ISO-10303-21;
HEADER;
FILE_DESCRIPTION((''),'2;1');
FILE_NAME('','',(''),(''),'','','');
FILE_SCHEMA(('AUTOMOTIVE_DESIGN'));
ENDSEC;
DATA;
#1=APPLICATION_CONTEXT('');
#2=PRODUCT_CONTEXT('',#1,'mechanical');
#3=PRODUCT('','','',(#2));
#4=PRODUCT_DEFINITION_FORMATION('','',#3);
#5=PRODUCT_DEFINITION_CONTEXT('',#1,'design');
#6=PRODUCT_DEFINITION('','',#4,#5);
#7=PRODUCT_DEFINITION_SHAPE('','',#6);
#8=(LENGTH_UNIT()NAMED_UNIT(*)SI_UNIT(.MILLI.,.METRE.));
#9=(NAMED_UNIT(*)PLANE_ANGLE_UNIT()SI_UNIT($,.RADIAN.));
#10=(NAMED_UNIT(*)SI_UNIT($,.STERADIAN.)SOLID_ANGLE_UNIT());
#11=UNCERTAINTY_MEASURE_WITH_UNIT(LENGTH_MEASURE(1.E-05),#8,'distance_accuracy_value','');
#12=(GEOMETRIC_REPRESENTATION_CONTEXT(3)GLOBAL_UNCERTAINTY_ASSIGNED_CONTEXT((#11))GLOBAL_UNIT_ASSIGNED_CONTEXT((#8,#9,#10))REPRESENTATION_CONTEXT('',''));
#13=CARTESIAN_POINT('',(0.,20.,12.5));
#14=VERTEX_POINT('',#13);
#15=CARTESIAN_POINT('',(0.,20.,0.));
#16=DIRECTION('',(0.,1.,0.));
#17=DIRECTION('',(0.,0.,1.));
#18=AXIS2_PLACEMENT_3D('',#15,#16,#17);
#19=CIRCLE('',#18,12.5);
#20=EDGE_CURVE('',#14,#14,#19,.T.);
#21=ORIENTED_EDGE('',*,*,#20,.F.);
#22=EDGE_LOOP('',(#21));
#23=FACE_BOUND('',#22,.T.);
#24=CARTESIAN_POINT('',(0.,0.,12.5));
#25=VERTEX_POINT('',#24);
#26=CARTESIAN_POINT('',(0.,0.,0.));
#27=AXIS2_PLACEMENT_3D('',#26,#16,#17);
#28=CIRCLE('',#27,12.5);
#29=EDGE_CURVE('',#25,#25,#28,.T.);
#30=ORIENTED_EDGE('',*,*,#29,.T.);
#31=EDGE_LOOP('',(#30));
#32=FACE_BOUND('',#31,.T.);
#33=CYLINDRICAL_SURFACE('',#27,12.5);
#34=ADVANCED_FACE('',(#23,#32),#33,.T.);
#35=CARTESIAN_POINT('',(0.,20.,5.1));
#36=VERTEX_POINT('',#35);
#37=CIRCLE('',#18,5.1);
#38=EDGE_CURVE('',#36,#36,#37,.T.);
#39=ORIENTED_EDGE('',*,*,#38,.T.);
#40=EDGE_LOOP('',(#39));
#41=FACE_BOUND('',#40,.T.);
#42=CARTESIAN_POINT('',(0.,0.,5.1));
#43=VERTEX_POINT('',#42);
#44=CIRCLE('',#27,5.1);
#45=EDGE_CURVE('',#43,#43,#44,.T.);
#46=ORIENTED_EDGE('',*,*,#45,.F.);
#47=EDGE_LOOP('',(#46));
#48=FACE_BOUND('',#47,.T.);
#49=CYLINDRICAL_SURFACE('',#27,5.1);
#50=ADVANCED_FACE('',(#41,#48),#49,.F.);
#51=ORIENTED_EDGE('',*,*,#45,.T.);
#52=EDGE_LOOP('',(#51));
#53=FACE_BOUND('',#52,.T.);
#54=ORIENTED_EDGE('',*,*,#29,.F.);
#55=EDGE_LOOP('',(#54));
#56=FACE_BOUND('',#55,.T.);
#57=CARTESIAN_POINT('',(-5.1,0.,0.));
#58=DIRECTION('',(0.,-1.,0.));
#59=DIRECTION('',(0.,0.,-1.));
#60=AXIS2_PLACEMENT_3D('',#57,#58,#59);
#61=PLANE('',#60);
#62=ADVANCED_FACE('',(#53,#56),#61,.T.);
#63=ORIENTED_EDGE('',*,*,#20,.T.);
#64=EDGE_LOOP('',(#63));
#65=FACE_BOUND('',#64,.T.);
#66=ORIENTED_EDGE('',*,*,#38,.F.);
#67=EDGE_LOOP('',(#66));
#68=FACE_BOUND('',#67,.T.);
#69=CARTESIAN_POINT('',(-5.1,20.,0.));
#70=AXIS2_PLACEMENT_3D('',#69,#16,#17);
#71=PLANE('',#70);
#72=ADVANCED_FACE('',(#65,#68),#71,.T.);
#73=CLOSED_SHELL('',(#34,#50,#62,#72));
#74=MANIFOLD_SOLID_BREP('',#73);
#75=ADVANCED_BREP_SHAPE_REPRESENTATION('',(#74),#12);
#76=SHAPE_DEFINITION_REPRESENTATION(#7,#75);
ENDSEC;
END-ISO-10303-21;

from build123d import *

# Parameters (mm, degrees)
SKETCH_1_W = 7.4
SKETCH_1_H = 20


with BuildPart() as part:
    # Эскиз1 → Повернуть1 (revolve)
    with BuildSketch(Plane.XY, mode=Mode.PRIVATE) as revolve_1_sk:
        with Locations((-8.8, 10)):
            Rectangle(SKETCH_1_W, SKETCH_1_H)
    revolve(revolve_1_sk.sketch.rotate(Axis((0, 0, 0), (0, -1, 0)), 270), axis=Axis((0, 0, 0), (0, -1, 0)))


solid = part.part
